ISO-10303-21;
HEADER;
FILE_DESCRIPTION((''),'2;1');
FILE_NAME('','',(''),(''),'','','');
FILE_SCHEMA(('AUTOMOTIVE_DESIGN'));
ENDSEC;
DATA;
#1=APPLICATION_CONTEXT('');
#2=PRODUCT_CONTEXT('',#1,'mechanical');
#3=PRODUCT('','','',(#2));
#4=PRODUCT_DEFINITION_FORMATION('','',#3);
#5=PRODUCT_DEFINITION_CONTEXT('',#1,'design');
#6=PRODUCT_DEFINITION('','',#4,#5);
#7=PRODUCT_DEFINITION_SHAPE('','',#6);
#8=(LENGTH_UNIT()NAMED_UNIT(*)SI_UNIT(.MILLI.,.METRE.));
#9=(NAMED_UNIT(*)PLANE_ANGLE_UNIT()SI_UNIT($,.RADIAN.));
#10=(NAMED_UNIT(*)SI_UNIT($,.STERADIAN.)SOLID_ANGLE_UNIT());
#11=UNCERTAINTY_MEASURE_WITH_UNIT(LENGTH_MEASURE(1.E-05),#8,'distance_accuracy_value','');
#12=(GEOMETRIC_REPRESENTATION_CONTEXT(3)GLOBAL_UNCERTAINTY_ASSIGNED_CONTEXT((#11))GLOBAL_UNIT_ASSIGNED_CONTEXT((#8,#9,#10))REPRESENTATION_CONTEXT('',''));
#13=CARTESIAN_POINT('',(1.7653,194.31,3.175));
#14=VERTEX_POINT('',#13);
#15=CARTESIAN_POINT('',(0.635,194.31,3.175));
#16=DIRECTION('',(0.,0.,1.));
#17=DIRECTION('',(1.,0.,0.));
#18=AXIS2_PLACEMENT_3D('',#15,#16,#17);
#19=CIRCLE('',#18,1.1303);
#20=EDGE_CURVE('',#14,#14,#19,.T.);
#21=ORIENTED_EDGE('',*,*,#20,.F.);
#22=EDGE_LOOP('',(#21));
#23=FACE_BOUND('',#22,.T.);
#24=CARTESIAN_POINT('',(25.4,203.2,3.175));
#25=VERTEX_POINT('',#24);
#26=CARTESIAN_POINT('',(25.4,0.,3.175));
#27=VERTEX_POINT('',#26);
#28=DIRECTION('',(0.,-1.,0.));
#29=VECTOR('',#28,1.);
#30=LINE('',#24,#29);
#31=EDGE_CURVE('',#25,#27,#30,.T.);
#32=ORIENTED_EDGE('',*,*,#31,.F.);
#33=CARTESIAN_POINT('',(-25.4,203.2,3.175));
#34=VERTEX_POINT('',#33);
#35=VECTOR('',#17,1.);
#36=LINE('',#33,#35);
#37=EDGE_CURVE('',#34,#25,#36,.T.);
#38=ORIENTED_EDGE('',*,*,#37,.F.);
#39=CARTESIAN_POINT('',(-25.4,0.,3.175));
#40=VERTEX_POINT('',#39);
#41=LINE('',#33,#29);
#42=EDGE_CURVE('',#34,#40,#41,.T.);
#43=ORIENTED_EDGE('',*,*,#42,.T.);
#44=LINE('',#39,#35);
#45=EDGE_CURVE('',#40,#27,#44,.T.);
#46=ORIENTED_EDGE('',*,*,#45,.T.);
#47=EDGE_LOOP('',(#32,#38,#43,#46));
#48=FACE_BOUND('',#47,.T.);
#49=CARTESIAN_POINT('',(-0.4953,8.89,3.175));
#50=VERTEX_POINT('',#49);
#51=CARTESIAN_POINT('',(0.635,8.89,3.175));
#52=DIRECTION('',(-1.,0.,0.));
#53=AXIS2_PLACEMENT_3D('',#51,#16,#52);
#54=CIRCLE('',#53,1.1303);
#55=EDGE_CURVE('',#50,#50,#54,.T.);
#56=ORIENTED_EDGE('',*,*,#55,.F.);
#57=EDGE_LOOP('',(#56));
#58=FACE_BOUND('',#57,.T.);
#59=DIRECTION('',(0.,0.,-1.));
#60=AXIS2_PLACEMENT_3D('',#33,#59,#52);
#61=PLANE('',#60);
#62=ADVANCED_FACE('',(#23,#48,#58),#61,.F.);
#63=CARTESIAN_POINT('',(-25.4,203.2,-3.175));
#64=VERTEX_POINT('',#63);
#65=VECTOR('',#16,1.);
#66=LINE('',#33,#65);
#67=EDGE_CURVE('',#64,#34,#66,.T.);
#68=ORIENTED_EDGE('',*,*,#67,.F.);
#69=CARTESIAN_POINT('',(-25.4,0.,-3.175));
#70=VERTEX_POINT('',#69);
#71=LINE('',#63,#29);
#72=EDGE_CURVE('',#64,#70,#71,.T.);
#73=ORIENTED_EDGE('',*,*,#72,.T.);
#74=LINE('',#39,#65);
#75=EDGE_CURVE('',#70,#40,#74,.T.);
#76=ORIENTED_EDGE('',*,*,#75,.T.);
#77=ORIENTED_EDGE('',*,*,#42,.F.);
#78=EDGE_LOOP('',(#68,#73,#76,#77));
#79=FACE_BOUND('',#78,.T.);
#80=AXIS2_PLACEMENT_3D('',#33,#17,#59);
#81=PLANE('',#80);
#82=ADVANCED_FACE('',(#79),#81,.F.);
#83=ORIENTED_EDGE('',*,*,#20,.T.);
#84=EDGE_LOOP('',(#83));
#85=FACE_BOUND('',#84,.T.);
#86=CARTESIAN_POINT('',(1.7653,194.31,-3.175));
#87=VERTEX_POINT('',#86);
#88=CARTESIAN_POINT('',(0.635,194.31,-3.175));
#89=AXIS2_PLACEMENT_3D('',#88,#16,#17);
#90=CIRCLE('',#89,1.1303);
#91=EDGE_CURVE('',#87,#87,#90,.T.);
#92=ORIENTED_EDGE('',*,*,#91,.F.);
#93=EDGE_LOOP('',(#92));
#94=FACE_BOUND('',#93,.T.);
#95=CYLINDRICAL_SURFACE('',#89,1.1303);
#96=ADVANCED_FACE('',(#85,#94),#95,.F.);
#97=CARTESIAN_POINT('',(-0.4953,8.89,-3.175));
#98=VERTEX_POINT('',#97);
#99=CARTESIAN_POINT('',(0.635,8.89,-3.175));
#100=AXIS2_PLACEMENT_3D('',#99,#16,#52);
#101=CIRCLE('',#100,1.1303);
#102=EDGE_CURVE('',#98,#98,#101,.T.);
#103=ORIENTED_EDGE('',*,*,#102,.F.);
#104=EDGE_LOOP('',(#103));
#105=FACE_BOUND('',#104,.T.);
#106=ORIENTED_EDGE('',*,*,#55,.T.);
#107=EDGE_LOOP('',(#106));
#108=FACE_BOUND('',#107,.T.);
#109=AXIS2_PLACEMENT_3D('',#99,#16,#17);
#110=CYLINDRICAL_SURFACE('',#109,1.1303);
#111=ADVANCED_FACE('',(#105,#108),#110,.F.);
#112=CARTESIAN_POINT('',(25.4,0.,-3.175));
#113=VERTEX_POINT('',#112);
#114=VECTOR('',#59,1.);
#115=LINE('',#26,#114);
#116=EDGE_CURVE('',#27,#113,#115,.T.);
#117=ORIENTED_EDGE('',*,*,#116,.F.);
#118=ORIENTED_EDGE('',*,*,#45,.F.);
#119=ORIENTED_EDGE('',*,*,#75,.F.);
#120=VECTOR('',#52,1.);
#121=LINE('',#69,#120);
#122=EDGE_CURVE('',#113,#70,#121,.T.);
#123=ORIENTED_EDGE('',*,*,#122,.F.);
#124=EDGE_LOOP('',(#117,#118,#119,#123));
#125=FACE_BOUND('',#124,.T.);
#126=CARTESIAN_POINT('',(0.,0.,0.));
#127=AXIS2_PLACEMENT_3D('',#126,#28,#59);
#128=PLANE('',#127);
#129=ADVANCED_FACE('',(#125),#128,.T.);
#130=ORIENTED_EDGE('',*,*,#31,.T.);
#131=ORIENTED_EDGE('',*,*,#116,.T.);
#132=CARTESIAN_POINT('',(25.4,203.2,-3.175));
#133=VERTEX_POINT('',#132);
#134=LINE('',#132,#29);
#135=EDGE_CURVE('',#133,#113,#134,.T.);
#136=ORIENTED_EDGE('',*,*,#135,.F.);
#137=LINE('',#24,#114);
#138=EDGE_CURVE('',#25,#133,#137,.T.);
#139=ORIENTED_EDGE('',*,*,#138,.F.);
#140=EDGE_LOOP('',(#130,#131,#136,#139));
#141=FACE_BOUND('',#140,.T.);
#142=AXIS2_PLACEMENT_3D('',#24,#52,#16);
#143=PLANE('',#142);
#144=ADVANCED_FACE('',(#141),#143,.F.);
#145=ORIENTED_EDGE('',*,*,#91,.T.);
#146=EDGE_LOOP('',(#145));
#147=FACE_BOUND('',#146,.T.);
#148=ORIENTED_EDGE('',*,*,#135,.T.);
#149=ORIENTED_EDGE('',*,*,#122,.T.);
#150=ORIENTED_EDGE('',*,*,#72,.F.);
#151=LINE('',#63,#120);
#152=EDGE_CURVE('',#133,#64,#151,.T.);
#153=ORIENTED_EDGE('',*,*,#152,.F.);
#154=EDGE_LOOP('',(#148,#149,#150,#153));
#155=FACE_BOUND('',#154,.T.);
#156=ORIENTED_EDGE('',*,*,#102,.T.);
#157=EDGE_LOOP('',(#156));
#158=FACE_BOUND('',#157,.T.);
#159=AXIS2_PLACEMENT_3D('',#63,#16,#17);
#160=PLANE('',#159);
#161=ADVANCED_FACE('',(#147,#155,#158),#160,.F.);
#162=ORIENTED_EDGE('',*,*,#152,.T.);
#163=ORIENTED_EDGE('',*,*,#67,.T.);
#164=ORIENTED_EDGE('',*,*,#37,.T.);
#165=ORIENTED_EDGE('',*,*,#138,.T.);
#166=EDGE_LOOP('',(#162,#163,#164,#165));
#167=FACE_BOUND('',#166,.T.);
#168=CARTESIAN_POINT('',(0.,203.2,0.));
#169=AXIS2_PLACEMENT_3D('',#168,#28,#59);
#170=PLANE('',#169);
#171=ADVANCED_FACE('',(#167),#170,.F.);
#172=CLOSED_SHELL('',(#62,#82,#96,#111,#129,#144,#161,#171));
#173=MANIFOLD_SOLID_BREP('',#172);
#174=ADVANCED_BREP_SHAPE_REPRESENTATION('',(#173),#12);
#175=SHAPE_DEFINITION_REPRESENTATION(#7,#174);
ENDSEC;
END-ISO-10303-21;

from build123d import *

# Parameters (mm, degrees)
SKETCH1_W           = 50.8
SKETCH1_H           = 6.35
BOSS_EXTRUDE1_DEPTH = 203.2
SKETCH3_R           = 1.1303
CUT_EXTRUDE1_DEPTH  = 205.879775722


with BuildPart() as part:
    # Sketch1 → Boss-Extrude1 (new body)
    with BuildSketch(Plane(origin=(0, 0, 0), x_dir=(1, 0, 0), z_dir=(0, 1, 0))):
        Rectangle(SKETCH1_W, SKETCH1_H)
    extrude(amount=BOSS_EXTRUDE1_DEPTH)

    # Sketch3 → Cut-Extrude1 (cut, through all)
    with BuildSketch(Plane.XY.offset(3.175)):
        with Locations((0.635, 194.31)):
            Circle(SKETCH3_R)
        with Locations(Location((0.635, 8.89, 0), (0, 0, 180))):
            Circle(SKETCH3_R)
    extrude(amount=-CUT_EXTRUDE1_DEPTH, mode=Mode.SUBTRACT)


solid = part.part
